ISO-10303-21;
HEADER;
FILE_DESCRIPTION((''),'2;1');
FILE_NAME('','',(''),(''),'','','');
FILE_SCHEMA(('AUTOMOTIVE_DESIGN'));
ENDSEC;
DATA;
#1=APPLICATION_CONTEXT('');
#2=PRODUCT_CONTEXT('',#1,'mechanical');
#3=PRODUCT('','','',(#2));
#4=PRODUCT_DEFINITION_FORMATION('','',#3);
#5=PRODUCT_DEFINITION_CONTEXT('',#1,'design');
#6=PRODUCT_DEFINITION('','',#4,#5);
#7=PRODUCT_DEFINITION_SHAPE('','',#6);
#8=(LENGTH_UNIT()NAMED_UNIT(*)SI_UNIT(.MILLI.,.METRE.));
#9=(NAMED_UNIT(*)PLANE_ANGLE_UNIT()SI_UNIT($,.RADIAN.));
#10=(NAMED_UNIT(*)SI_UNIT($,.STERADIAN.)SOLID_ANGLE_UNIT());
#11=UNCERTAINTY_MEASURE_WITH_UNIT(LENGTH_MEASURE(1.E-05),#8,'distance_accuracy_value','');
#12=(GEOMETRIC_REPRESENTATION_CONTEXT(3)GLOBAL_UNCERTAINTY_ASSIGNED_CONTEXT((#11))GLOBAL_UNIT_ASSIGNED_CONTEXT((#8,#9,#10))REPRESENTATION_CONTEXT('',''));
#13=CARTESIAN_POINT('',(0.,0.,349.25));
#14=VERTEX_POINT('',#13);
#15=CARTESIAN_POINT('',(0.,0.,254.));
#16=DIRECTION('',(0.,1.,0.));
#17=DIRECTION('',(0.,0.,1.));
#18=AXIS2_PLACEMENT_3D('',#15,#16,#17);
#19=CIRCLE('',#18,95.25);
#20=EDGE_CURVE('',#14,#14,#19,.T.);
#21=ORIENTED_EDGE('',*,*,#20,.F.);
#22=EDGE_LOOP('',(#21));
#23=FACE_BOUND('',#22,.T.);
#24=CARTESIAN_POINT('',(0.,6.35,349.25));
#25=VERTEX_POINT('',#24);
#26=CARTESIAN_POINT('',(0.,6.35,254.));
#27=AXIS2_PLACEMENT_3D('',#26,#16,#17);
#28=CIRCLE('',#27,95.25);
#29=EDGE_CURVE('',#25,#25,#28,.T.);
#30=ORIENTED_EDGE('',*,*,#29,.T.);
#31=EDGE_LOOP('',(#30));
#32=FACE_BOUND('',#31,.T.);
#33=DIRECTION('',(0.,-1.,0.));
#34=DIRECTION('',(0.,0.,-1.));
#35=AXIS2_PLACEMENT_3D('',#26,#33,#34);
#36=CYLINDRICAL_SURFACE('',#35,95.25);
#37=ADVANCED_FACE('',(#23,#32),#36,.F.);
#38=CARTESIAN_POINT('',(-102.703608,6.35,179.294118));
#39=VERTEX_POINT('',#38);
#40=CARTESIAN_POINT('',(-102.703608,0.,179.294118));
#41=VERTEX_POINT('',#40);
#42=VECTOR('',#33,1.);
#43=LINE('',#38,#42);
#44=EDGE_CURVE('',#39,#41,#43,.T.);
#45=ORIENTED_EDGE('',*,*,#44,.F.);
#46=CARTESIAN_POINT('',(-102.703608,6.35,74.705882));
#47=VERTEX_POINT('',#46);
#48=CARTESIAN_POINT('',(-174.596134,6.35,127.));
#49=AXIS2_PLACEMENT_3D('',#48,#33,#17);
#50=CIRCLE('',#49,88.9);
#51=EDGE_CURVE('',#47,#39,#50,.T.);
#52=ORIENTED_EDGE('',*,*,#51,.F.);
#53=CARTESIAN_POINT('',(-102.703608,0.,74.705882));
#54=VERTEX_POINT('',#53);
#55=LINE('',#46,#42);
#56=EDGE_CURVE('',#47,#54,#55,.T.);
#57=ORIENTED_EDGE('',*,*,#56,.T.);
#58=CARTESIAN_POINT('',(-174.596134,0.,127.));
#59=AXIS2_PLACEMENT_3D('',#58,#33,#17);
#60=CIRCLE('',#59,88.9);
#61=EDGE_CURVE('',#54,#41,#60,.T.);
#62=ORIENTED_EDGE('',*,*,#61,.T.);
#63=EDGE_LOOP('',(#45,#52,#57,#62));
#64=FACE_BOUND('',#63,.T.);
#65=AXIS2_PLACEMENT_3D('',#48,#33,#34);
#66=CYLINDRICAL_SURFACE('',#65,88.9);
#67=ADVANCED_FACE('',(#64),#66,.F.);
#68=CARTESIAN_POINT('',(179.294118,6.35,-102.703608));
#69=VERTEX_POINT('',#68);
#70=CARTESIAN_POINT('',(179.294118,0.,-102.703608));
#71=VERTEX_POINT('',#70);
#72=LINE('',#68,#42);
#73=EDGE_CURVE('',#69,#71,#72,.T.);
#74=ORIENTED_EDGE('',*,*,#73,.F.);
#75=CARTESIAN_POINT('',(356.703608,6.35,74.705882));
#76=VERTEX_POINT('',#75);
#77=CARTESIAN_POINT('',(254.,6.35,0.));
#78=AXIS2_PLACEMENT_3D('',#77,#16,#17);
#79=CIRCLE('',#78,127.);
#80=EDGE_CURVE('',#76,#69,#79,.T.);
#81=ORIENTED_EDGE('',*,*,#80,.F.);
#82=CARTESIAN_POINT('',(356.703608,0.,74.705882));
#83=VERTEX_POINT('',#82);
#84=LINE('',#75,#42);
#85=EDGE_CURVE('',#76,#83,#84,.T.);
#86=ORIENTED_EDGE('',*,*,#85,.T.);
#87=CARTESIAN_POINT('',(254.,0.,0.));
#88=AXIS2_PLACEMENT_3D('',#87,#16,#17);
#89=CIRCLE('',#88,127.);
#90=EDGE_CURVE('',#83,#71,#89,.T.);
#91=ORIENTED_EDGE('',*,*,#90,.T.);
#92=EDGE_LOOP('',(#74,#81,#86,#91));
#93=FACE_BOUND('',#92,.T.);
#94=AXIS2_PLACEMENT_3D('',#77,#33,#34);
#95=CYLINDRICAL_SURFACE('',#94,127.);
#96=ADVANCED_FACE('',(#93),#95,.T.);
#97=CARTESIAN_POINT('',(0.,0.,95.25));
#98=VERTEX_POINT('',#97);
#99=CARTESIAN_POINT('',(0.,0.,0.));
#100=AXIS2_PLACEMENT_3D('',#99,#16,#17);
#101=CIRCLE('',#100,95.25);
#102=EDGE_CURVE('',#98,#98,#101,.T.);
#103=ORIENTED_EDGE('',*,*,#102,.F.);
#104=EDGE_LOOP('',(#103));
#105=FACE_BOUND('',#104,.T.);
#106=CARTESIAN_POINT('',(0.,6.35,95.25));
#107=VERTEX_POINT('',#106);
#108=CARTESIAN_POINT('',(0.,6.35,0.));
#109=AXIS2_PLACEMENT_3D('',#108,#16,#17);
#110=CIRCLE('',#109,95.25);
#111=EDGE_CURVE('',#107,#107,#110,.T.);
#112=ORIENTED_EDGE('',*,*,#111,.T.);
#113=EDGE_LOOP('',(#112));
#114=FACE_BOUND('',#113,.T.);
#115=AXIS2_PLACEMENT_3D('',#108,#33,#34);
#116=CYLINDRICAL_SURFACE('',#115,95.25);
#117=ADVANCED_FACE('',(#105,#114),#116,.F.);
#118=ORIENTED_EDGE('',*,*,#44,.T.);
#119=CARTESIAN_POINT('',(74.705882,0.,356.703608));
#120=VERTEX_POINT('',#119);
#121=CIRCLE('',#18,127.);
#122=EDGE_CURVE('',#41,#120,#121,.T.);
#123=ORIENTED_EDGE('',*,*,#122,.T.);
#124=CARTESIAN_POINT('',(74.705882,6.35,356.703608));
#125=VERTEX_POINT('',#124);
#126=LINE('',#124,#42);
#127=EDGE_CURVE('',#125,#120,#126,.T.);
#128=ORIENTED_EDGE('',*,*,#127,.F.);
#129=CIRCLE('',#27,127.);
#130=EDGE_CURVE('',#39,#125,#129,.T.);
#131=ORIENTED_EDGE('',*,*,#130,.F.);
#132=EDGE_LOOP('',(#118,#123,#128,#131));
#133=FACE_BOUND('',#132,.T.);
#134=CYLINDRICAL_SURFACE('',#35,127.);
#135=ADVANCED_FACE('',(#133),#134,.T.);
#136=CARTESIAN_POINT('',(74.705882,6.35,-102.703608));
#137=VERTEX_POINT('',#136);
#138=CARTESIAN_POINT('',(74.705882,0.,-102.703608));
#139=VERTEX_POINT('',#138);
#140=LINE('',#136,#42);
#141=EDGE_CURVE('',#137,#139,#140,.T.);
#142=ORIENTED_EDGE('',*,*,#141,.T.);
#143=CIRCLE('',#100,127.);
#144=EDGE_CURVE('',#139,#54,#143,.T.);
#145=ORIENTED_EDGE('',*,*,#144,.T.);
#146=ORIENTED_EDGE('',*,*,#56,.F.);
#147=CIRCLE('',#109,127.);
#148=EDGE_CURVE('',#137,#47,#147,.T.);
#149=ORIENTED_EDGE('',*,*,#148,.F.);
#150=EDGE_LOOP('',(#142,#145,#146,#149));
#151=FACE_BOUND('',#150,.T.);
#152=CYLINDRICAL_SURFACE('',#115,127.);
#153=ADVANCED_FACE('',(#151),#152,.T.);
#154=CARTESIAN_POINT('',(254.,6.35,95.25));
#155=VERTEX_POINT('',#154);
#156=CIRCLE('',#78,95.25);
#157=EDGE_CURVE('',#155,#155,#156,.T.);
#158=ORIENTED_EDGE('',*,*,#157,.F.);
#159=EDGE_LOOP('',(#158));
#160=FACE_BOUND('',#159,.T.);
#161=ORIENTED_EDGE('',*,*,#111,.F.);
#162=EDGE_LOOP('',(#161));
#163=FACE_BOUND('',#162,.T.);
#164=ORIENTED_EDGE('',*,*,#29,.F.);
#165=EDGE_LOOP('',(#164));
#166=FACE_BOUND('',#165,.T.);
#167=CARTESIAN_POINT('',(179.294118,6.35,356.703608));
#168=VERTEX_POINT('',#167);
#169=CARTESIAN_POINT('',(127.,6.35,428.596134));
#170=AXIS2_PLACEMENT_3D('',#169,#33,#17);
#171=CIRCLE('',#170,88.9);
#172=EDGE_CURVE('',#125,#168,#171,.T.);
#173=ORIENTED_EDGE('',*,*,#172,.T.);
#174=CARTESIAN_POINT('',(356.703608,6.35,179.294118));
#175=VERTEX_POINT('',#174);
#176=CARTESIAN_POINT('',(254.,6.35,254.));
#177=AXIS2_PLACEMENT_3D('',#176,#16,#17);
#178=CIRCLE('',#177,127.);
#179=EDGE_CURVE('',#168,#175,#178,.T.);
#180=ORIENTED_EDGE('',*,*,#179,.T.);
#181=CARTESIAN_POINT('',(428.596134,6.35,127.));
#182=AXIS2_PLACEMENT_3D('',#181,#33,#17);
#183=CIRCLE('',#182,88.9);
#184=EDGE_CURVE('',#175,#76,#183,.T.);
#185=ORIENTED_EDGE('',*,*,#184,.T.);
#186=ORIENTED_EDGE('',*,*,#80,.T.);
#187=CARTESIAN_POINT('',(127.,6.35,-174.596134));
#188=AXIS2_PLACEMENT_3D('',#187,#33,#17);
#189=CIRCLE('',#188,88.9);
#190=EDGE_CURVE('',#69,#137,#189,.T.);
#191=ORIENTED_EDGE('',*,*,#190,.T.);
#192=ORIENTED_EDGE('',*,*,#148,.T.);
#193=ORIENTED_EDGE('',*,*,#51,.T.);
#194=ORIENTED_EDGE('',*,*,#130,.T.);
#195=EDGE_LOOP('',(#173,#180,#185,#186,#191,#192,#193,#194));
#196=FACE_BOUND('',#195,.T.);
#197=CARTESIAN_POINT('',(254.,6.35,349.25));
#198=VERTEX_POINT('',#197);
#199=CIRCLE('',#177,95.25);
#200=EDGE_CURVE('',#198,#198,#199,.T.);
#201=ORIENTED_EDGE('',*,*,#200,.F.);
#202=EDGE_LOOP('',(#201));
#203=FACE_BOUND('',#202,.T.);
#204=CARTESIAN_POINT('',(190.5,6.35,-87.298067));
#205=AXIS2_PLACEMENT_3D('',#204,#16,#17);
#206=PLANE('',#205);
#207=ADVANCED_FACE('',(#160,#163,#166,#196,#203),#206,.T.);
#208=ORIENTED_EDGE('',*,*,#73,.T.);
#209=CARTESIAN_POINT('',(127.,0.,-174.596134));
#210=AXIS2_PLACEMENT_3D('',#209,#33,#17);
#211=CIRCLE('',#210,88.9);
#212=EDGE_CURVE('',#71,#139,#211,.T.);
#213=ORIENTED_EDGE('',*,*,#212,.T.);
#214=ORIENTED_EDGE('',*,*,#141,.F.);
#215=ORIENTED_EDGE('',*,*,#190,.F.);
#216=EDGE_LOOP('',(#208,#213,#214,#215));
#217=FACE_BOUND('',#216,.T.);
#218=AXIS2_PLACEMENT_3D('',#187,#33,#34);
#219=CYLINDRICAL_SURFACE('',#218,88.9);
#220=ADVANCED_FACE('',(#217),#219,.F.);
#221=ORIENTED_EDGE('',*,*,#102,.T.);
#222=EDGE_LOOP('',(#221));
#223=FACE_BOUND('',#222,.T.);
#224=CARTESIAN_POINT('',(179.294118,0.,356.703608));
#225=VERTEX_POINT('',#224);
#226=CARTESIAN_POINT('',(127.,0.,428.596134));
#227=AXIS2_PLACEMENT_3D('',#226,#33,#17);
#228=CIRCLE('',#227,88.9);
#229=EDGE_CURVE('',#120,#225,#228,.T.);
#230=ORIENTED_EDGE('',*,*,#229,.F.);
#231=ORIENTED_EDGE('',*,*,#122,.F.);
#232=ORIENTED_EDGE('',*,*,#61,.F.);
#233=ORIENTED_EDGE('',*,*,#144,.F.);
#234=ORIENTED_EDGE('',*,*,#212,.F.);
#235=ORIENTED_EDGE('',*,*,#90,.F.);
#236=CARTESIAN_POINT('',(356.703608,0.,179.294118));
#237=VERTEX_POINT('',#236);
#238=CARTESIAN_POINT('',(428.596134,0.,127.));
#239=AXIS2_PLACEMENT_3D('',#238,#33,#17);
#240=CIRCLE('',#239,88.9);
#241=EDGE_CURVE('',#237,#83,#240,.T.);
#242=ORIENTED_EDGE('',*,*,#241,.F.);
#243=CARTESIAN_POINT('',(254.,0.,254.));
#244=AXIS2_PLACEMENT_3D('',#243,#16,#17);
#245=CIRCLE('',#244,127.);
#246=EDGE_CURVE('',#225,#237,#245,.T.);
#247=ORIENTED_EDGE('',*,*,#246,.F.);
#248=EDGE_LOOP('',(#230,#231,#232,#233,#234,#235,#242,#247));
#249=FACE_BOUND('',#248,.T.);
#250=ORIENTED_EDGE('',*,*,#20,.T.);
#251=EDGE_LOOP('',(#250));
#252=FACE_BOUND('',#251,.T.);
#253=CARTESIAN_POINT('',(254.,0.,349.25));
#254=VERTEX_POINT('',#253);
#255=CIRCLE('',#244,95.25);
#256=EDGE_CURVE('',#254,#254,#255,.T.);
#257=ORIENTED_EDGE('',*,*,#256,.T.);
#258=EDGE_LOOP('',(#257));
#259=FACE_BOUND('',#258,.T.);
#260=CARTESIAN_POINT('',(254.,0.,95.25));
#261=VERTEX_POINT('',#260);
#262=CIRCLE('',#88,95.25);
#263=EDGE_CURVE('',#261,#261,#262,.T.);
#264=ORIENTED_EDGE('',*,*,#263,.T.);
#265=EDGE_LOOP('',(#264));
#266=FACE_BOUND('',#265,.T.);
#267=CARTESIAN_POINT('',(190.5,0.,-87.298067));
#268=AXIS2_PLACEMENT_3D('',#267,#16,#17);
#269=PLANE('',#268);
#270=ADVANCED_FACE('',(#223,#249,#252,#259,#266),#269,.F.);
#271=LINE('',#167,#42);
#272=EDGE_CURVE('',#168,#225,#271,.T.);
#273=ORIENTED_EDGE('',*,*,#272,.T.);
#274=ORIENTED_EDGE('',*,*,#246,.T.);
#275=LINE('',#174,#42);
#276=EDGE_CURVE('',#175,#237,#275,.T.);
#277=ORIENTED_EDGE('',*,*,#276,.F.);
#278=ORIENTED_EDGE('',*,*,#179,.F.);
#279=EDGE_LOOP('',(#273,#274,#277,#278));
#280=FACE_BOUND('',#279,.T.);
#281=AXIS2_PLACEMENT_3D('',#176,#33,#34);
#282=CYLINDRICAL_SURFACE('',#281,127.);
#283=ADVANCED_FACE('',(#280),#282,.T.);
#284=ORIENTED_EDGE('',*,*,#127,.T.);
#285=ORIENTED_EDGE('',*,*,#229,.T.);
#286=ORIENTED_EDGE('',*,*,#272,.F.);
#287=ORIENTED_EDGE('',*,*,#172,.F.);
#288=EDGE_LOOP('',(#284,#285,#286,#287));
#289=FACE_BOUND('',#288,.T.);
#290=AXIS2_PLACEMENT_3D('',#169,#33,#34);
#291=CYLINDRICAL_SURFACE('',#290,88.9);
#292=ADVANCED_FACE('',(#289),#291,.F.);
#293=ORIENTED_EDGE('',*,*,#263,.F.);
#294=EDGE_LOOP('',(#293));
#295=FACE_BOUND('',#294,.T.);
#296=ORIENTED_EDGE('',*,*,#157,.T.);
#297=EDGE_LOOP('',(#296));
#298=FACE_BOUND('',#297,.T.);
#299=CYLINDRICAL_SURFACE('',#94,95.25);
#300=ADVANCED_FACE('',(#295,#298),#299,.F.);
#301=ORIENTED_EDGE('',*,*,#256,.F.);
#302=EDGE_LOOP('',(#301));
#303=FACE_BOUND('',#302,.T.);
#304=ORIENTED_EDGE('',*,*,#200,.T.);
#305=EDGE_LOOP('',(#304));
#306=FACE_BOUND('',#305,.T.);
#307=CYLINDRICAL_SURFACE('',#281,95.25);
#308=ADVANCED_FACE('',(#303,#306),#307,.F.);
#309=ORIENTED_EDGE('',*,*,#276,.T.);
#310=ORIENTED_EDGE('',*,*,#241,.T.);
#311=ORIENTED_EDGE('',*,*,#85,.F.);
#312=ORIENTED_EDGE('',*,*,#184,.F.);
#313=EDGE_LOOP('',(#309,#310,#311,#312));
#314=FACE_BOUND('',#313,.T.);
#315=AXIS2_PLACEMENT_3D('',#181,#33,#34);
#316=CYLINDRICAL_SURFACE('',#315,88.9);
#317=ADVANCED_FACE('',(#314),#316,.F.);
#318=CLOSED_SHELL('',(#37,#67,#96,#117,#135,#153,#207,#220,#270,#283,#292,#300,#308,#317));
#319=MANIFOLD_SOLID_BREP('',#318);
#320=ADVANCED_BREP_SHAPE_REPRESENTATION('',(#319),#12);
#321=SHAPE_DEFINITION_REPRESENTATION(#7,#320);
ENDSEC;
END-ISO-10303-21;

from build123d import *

# Parameters (mm, degrees)
SKETCH1_R           = 95.25
BOSS_EXTRUDE1_DEPTH = 6.35


with BuildPart() as part:
    # Sketch1 → Boss-Extrude1 (new body)
    with BuildSketch(Plane(origin=(0, 0, 0), x_dir=(1, 0, 0), z_dir=(0, 1, 0))):
        with BuildLine():
            ThreePointArc((74.705882353, 102.703608222), (-89.802561211, 89.802561211), (-102.703608222, -74.705882353))
            ThreePointArc((-102.703608222, -74.705882353), (-85.696133978, -127), (-102.703608222, -179.294117647))
            ThreePointArc((-102.703608222, -179.294117647), (-89.802561211, -343.802561211), (74.705882353, -356.703608222))
            ThreePointArc((74.705882353, -356.703608222), (127, -339.696133978), (179.294117647, -356.703608222))
            ThreePointArc((179.294117647, -356.703608222), (343.802561211, -343.802561211), (356.703608222, -179.294117647))
            ThreePointArc((356.703608222, -179.294117647), (339.696133978, -127), (356.703608222, -74.705882353))
            ThreePointArc((356.703608222, -74.705882353), (343.802561211, 89.802561211), (179.294117647, 102.703608222))
            ThreePointArc((179.294117647, 102.703608222), (127, 85.696133978), (74.705882353, 102.703608222))
        make_face()
        Circle(SKETCH1_R, mode=Mode.SUBTRACT)
        with Locations((254, 0)):
            Circle(SKETCH1_R, mode=Mode.SUBTRACT)
        with Locations((254, -254)):
            Circle(SKETCH1_R, mode=Mode.SUBTRACT)
        with Locations((0, -254)):
            Circle(SKETCH1_R, mode=Mode.SUBTRACT)
    extrude(amount=BOSS_EXTRUDE1_DEPTH)


solid = part.part
